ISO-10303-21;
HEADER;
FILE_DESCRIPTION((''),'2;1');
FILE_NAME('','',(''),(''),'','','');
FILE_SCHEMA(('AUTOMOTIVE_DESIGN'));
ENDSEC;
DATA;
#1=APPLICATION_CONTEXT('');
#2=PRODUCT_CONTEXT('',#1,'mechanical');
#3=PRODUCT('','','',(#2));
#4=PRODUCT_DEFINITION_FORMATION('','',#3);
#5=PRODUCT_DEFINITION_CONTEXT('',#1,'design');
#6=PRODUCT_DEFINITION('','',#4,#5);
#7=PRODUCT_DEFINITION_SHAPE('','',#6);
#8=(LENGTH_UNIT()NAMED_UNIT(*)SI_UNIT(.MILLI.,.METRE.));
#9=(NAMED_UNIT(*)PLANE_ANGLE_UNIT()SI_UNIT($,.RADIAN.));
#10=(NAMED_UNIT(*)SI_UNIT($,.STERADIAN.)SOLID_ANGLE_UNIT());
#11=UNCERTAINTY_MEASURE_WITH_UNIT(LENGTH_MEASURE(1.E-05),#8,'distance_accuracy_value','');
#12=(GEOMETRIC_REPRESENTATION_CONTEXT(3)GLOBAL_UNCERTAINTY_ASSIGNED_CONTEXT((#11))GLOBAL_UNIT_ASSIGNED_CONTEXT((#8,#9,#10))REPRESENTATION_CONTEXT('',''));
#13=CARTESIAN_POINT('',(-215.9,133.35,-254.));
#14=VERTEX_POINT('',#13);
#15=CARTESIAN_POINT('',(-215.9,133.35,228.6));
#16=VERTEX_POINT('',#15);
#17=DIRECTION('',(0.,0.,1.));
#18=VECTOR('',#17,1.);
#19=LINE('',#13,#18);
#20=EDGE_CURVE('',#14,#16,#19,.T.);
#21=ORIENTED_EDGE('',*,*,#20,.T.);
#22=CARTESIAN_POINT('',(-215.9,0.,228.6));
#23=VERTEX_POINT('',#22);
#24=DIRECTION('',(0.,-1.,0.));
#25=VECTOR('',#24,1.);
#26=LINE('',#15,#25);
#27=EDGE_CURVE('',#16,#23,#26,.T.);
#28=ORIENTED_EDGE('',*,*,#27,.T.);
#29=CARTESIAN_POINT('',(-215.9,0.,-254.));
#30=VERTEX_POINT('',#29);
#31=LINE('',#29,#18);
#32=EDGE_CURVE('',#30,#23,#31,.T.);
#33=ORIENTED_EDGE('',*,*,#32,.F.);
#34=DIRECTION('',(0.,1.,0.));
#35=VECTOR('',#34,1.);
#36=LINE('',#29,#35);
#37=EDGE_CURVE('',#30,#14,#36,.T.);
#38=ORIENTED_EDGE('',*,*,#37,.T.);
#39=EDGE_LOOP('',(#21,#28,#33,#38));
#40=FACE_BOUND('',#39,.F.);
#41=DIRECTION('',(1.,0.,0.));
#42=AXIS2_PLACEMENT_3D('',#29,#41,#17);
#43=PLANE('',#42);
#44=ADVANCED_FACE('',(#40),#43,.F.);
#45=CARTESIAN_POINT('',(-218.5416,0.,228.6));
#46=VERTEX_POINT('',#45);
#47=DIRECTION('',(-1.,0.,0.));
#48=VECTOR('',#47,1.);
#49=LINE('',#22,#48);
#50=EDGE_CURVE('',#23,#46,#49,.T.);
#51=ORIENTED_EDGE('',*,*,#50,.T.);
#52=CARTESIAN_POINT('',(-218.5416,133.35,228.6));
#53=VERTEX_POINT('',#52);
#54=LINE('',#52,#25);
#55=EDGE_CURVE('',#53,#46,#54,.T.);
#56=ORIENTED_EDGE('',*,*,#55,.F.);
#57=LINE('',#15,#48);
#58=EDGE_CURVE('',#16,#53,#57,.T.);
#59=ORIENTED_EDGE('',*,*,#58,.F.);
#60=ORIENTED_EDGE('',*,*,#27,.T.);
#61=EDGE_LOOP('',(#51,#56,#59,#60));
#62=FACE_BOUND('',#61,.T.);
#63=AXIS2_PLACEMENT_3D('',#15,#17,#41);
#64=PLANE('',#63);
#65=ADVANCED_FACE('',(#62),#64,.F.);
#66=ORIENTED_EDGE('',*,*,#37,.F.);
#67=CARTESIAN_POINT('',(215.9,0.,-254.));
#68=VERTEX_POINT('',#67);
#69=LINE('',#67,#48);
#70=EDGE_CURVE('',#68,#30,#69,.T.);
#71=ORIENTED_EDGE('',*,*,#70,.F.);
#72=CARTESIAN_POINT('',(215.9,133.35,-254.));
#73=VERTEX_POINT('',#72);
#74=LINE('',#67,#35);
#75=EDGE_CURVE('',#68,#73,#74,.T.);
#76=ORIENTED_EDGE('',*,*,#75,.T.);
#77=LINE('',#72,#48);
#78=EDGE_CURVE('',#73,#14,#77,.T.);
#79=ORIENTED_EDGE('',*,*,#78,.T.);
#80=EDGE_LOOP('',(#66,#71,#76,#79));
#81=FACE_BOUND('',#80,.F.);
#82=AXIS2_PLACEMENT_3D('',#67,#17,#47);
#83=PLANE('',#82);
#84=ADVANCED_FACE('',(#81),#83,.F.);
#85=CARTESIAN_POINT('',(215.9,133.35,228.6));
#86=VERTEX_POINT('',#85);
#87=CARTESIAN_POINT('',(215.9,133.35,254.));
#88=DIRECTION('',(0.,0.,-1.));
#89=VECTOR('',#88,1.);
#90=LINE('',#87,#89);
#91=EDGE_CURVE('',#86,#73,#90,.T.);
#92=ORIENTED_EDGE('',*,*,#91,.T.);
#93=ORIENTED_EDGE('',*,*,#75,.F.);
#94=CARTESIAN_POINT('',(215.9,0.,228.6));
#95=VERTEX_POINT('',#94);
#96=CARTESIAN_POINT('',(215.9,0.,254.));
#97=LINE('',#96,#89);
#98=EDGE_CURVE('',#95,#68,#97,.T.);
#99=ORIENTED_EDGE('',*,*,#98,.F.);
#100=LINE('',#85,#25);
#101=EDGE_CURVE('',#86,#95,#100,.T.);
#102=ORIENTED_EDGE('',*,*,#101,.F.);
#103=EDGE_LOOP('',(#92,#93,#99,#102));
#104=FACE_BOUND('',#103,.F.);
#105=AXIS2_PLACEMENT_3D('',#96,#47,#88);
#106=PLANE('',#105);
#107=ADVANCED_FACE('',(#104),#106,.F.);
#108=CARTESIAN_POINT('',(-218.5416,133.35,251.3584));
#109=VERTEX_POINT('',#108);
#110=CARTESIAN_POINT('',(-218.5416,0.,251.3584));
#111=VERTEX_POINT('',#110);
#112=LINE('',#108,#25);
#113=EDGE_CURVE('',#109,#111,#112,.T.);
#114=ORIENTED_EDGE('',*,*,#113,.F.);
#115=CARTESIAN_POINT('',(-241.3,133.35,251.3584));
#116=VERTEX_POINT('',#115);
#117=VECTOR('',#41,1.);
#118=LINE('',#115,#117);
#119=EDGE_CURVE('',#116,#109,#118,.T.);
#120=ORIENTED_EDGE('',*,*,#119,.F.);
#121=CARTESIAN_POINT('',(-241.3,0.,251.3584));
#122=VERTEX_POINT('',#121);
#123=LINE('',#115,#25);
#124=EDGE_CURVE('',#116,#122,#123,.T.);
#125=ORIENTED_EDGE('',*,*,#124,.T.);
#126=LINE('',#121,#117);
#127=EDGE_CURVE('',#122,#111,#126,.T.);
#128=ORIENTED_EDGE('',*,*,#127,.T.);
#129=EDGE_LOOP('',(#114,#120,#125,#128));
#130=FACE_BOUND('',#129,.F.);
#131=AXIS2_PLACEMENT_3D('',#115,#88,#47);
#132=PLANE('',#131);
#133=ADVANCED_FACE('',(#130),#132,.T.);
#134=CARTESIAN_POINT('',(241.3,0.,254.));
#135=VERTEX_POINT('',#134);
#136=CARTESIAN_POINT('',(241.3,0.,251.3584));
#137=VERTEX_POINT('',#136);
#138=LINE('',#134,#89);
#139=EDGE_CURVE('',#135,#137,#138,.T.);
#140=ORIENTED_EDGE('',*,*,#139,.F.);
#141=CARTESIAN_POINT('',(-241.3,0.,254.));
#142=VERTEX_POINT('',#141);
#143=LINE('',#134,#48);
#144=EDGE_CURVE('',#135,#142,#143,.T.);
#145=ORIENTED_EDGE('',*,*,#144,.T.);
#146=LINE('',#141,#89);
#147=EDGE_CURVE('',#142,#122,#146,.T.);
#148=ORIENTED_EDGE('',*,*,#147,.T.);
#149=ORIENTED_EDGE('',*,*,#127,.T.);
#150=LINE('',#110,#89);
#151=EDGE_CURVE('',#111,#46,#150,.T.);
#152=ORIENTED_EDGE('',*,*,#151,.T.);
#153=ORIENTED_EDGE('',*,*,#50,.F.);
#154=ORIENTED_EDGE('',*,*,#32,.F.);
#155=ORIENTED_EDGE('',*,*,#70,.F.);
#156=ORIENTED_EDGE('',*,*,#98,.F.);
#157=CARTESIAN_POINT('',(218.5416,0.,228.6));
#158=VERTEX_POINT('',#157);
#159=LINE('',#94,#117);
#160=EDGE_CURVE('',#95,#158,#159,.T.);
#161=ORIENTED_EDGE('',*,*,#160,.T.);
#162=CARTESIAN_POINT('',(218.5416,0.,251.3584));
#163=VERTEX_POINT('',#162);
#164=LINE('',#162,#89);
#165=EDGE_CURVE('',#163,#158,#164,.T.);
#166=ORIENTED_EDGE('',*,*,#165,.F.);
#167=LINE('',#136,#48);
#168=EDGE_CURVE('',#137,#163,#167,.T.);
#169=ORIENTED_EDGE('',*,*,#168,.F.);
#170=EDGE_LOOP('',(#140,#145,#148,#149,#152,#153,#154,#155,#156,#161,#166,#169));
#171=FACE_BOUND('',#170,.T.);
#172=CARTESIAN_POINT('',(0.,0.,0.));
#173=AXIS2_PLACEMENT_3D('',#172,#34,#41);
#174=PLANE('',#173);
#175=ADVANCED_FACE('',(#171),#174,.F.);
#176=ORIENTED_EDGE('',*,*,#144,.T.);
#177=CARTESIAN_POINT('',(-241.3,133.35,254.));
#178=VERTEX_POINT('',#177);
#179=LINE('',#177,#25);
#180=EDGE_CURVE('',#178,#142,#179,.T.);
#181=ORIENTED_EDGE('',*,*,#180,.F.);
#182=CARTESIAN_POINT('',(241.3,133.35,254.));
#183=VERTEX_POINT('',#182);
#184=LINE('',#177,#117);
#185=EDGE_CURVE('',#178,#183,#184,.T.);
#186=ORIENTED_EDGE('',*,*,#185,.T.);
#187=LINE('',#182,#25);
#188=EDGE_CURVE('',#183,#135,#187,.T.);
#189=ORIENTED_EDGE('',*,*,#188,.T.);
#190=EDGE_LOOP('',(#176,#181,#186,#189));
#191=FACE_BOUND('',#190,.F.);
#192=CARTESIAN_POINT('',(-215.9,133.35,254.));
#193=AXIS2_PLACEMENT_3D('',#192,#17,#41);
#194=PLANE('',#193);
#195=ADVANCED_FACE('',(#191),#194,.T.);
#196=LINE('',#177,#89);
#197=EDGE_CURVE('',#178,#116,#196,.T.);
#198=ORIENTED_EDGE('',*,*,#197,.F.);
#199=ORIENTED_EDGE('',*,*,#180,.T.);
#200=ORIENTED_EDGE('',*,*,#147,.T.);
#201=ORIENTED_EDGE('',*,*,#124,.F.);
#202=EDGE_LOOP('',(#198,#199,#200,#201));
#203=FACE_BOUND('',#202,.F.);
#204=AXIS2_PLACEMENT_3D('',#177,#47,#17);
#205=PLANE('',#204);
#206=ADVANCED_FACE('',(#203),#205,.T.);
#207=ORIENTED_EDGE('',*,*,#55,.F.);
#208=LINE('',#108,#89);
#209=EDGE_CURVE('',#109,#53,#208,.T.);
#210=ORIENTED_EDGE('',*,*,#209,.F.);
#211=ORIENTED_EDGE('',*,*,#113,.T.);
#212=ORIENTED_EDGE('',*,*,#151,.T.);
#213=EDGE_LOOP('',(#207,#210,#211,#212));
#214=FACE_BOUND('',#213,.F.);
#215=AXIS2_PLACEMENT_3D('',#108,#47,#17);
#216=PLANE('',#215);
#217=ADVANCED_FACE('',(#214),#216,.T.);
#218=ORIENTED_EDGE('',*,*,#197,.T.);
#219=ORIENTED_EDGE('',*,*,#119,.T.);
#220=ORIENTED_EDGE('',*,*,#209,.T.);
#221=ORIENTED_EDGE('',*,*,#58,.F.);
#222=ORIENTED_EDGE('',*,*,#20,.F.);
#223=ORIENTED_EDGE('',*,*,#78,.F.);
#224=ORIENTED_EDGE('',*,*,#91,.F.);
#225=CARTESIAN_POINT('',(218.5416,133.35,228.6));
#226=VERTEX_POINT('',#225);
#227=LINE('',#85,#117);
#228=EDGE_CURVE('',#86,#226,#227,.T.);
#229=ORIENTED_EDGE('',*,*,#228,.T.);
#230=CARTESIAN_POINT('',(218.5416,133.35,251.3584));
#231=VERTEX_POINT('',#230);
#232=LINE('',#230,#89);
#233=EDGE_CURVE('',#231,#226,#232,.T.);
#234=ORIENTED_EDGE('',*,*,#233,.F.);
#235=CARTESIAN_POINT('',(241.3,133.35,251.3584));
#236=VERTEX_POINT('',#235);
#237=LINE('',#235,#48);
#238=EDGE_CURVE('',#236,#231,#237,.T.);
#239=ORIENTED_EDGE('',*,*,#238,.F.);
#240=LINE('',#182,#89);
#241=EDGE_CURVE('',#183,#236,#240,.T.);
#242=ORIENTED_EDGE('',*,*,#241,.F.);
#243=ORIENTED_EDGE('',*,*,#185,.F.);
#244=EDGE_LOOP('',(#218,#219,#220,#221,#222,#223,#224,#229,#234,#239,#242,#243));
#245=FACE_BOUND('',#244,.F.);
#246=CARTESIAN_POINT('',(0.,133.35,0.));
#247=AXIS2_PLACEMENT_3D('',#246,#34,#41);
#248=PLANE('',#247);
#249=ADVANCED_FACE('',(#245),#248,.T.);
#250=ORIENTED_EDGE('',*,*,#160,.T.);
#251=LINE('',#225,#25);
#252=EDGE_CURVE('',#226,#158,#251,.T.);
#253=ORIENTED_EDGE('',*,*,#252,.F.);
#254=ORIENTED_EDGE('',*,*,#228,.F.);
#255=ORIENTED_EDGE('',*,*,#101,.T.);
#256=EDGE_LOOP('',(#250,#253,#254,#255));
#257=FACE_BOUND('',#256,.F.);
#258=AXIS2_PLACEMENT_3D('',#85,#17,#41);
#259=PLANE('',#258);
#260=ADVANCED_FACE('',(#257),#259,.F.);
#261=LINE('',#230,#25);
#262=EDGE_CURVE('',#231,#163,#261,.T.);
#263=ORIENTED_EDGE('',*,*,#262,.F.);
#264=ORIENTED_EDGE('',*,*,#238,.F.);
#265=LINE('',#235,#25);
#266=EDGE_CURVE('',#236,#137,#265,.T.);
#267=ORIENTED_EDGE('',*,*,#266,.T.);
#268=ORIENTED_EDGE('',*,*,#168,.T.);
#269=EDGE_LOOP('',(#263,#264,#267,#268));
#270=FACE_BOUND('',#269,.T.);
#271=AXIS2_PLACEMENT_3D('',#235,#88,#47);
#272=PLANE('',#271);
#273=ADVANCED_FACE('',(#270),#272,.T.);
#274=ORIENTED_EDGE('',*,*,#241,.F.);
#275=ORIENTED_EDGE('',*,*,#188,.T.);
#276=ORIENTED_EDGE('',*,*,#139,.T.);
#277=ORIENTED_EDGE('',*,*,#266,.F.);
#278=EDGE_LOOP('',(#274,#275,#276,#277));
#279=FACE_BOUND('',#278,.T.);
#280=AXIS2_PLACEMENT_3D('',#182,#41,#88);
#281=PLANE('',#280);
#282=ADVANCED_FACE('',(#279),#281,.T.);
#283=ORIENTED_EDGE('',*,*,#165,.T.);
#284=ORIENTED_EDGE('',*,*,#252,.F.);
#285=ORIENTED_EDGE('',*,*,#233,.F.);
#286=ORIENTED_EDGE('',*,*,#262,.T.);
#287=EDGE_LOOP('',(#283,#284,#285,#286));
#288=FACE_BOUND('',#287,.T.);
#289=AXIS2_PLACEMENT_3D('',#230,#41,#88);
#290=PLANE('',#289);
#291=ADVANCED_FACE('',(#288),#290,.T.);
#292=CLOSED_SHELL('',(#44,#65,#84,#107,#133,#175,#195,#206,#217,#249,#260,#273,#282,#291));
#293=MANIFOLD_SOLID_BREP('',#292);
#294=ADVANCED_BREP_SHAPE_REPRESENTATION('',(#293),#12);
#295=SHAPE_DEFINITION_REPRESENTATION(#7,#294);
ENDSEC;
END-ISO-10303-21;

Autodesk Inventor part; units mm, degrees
ref_plane "YZ Plane" through (0, 0, 0) normal (1, 0, 0) x (0, 1, 0)
ref_plane "XZ Plane" through (0, 0, 0) normal (0, 1, 0) x (-1, 0, 0)
ref_plane "XY Plane" through (0, 0, 0) normal (0, 0, 1) x (1, 0, 0)
sketch "Sketch2" plane through (0, 0, 0) normal (0, 1, 0) x (-1, 0, 0)
  line L0 (215.9, 254) -> (-215.9, 254)
  line L1 (-215.9, 254) -> (-215.9, -254)
  line L2 (-215.9, -254) -> (215.9, -254)
  line L3 (215.9, -254) -> (215.9, 254)
  line L4 (215.9, 254) -> (-215.9, -254) construction
  line L5 (-215.9, 254) -> (215.9, -254) construction
  point P0 (0, 0)
  point P1 (0, -254)
  dimension "d6" = 431.8
  dimension "d7" = 508
extrude "Extrusion3" add sketch "Sketch2" along normal blind 133.35
ref_plane "Work Plane3" through (0, 133.35, 254) normal (1, 0, 0) x (0, 1, 0)
sketch "Sketch4" plane through (0, 133.35, 0) normal (0, 1, 0) x (1, 0, 0)
  line L0 (-215.9, -254) -> (215.9, -254) projected
  line L1 (215.9, -228.6) -> (215.9, -254)
  line L2 (215.9, -254) -> (241.3, -254)
  line L3 (241.3, -251.3584) -> (218.5416, -251.3584)
  line L4 (218.5416, -251.3584) -> (218.5416, -228.6)
  line L5 (215.9, -228.6) -> (218.5416, -228.6)
  line L6 (215.9, -254) -> (215.9, 254) projected
  line L7 (241.3, -254) -> (241.3, -251.3584)
  point P0 (0, 0)
  dimension "d13" = 25.4
  dimension "d14" = 25.4
  dimension "d15" = 2.6416
extrude "Extrusion5" add sketch "Sketch4" against normal blind 133.35
mirror "Mirror1" about plane through (0, 133.35, 254) normal (1, 0, 0) of "Extrusion5"
equation "\"BendRadius\" = Thickness"
equation "\"BendReliefWidth\" = Thickness"
equation "\"BendReliefDepth\" = 0.5 * Thickness"
equation "\"CornerReliefSize\" = 4 * Thickness"
equation "\"MinimumRemnant\" = 2 * Thickness"
equation "\"TransitionRadius\" = BendRadius"
equation "\"JacobiRadiusSize\" = Thickness"
equation "\"GapSize\" = Thickness"
equation "\"Thickness\" = 3.048"
properties part number "powerDistribution"
